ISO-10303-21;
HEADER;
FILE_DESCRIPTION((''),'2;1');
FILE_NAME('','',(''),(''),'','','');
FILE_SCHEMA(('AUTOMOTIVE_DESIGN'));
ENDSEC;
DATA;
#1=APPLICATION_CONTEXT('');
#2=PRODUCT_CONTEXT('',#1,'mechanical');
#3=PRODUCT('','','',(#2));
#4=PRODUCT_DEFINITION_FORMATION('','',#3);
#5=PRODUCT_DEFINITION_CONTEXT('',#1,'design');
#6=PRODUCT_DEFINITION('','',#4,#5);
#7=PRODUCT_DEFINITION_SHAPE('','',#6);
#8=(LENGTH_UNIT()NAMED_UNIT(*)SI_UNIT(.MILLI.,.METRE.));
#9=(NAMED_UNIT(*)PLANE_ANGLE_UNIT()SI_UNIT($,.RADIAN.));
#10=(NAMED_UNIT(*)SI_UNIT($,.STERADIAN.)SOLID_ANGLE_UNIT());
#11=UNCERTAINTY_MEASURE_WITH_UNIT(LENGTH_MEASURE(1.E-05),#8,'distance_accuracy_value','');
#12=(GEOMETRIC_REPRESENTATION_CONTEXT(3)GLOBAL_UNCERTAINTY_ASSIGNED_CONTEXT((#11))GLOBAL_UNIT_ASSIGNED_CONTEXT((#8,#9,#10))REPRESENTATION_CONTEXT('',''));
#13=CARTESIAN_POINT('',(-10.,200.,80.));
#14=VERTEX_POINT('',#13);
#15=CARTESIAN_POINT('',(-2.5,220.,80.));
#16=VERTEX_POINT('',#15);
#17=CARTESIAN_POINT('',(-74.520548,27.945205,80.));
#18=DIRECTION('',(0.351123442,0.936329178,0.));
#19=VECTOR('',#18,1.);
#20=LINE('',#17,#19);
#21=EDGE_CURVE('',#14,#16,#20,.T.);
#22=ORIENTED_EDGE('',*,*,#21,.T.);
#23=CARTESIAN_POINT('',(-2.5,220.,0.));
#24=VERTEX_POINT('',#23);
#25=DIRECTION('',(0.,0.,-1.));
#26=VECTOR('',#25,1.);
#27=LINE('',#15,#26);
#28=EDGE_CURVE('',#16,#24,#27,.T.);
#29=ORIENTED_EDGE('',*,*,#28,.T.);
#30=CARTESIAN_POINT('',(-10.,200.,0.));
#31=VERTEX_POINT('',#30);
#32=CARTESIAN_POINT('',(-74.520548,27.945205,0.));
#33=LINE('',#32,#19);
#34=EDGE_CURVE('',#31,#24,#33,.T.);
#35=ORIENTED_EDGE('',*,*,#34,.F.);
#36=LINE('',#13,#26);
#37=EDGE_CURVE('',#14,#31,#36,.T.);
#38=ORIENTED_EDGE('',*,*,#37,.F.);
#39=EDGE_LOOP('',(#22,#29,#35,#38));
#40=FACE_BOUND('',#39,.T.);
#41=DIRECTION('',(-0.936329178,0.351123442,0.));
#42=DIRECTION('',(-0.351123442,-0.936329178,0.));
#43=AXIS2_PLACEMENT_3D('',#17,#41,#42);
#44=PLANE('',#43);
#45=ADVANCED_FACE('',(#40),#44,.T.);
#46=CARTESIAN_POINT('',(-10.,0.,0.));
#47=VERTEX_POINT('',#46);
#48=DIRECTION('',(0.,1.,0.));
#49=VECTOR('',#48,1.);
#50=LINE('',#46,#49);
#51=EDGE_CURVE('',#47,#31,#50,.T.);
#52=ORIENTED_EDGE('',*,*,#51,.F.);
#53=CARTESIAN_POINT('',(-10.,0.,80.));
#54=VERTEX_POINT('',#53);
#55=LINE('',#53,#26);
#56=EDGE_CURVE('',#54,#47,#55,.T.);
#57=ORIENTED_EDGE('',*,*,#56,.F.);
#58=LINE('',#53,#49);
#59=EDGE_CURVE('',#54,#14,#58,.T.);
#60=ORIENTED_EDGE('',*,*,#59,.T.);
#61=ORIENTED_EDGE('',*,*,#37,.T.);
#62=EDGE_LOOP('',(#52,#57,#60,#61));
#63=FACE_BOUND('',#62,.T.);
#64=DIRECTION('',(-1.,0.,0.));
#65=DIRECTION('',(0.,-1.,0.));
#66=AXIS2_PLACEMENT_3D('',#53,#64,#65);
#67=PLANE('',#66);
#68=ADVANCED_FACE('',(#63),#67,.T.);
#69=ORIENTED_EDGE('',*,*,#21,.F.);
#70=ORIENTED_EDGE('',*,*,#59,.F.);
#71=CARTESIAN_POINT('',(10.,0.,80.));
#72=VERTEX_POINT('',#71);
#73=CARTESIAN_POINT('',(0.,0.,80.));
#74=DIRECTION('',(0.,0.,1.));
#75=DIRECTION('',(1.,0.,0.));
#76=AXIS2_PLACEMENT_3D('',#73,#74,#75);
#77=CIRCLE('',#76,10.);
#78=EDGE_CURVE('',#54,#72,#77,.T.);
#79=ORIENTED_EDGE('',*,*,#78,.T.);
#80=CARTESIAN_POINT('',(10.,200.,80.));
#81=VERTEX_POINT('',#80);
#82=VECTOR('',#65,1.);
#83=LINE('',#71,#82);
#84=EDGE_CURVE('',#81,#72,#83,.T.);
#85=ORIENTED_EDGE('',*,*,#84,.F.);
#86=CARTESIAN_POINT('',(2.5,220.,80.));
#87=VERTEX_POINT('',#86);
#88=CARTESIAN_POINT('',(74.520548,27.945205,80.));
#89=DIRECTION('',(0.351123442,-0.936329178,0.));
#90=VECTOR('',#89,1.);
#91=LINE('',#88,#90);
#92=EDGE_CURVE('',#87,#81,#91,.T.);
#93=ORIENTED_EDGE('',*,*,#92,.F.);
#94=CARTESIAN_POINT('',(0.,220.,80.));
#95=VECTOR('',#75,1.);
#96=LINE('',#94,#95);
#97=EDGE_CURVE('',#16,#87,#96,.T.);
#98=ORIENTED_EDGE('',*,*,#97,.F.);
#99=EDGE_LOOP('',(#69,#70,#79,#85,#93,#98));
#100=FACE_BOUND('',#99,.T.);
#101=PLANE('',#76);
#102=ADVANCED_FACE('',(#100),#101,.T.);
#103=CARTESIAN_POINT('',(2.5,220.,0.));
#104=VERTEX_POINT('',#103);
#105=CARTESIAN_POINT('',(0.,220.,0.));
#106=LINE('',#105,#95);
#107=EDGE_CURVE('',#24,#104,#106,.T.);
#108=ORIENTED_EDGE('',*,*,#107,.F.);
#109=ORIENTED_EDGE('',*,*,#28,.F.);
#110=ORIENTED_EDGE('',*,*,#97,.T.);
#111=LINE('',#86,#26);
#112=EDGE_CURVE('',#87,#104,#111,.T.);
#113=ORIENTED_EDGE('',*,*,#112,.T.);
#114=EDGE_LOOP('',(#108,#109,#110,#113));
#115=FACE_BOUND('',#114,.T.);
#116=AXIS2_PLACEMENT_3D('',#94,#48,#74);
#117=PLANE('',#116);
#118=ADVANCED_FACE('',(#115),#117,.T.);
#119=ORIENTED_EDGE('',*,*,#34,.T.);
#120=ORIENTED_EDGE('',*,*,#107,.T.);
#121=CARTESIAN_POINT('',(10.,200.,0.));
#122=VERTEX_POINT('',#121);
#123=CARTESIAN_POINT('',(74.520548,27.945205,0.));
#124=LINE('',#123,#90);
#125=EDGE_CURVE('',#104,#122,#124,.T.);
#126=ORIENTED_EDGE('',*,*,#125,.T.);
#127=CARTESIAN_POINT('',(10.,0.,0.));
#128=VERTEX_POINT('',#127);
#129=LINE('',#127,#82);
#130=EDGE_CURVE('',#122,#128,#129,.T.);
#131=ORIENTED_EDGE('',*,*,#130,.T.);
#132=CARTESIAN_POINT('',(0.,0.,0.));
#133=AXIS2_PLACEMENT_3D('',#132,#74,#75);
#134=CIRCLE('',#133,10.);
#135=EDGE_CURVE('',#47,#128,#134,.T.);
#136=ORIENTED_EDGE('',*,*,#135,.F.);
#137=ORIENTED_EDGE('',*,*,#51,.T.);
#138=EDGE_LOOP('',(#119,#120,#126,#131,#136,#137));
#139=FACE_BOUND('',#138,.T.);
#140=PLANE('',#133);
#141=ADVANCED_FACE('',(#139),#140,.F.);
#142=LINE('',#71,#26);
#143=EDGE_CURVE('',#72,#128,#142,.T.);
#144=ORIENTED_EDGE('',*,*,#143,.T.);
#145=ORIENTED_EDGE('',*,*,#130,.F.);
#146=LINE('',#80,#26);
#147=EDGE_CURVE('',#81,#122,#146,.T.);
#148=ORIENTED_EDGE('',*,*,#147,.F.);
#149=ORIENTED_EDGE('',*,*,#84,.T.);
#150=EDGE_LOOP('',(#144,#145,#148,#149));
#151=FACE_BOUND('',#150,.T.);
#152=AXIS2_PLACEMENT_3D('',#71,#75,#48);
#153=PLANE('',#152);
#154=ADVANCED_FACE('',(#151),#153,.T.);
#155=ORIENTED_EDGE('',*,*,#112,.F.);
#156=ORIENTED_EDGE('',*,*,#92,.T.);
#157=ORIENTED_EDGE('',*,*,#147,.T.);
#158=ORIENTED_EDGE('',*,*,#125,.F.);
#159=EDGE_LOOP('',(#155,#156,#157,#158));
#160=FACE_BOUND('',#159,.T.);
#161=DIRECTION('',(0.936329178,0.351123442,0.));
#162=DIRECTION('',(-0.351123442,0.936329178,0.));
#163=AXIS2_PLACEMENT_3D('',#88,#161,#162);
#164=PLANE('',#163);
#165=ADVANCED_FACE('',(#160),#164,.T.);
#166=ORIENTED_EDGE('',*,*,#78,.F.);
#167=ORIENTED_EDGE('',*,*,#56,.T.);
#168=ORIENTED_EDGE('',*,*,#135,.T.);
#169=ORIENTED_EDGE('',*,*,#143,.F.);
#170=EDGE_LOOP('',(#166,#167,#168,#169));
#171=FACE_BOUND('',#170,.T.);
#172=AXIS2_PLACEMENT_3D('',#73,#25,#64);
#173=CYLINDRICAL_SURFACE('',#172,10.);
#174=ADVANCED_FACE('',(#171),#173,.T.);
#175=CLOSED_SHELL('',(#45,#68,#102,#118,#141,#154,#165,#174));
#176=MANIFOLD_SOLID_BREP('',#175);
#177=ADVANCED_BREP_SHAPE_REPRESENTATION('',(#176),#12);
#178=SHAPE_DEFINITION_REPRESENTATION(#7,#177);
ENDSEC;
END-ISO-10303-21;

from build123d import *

# Parameters (mm, degrees)
SALIENTE_EXTRUIR5_DEPTH = 80


with BuildPart() as part:
    # Croquis6 → Saliente-Extruir5 (new body)
    with BuildSketch(Plane.XY):
        with BuildLine():
            Line((-10, 200), (-10, 0))
            ThreePointArc((-10, 0), (0, -10), (10, 0))
            Line((10, 0), (10, 200))
            Line((10, 200), (2.5, 220))
            Line((2.5, 220), (-2.5, 220))
            Line((-2.5, 220), (-10, 200))
        make_face()
    extrude(amount=SALIENTE_EXTRUIR5_DEPTH)


solid = part.part
